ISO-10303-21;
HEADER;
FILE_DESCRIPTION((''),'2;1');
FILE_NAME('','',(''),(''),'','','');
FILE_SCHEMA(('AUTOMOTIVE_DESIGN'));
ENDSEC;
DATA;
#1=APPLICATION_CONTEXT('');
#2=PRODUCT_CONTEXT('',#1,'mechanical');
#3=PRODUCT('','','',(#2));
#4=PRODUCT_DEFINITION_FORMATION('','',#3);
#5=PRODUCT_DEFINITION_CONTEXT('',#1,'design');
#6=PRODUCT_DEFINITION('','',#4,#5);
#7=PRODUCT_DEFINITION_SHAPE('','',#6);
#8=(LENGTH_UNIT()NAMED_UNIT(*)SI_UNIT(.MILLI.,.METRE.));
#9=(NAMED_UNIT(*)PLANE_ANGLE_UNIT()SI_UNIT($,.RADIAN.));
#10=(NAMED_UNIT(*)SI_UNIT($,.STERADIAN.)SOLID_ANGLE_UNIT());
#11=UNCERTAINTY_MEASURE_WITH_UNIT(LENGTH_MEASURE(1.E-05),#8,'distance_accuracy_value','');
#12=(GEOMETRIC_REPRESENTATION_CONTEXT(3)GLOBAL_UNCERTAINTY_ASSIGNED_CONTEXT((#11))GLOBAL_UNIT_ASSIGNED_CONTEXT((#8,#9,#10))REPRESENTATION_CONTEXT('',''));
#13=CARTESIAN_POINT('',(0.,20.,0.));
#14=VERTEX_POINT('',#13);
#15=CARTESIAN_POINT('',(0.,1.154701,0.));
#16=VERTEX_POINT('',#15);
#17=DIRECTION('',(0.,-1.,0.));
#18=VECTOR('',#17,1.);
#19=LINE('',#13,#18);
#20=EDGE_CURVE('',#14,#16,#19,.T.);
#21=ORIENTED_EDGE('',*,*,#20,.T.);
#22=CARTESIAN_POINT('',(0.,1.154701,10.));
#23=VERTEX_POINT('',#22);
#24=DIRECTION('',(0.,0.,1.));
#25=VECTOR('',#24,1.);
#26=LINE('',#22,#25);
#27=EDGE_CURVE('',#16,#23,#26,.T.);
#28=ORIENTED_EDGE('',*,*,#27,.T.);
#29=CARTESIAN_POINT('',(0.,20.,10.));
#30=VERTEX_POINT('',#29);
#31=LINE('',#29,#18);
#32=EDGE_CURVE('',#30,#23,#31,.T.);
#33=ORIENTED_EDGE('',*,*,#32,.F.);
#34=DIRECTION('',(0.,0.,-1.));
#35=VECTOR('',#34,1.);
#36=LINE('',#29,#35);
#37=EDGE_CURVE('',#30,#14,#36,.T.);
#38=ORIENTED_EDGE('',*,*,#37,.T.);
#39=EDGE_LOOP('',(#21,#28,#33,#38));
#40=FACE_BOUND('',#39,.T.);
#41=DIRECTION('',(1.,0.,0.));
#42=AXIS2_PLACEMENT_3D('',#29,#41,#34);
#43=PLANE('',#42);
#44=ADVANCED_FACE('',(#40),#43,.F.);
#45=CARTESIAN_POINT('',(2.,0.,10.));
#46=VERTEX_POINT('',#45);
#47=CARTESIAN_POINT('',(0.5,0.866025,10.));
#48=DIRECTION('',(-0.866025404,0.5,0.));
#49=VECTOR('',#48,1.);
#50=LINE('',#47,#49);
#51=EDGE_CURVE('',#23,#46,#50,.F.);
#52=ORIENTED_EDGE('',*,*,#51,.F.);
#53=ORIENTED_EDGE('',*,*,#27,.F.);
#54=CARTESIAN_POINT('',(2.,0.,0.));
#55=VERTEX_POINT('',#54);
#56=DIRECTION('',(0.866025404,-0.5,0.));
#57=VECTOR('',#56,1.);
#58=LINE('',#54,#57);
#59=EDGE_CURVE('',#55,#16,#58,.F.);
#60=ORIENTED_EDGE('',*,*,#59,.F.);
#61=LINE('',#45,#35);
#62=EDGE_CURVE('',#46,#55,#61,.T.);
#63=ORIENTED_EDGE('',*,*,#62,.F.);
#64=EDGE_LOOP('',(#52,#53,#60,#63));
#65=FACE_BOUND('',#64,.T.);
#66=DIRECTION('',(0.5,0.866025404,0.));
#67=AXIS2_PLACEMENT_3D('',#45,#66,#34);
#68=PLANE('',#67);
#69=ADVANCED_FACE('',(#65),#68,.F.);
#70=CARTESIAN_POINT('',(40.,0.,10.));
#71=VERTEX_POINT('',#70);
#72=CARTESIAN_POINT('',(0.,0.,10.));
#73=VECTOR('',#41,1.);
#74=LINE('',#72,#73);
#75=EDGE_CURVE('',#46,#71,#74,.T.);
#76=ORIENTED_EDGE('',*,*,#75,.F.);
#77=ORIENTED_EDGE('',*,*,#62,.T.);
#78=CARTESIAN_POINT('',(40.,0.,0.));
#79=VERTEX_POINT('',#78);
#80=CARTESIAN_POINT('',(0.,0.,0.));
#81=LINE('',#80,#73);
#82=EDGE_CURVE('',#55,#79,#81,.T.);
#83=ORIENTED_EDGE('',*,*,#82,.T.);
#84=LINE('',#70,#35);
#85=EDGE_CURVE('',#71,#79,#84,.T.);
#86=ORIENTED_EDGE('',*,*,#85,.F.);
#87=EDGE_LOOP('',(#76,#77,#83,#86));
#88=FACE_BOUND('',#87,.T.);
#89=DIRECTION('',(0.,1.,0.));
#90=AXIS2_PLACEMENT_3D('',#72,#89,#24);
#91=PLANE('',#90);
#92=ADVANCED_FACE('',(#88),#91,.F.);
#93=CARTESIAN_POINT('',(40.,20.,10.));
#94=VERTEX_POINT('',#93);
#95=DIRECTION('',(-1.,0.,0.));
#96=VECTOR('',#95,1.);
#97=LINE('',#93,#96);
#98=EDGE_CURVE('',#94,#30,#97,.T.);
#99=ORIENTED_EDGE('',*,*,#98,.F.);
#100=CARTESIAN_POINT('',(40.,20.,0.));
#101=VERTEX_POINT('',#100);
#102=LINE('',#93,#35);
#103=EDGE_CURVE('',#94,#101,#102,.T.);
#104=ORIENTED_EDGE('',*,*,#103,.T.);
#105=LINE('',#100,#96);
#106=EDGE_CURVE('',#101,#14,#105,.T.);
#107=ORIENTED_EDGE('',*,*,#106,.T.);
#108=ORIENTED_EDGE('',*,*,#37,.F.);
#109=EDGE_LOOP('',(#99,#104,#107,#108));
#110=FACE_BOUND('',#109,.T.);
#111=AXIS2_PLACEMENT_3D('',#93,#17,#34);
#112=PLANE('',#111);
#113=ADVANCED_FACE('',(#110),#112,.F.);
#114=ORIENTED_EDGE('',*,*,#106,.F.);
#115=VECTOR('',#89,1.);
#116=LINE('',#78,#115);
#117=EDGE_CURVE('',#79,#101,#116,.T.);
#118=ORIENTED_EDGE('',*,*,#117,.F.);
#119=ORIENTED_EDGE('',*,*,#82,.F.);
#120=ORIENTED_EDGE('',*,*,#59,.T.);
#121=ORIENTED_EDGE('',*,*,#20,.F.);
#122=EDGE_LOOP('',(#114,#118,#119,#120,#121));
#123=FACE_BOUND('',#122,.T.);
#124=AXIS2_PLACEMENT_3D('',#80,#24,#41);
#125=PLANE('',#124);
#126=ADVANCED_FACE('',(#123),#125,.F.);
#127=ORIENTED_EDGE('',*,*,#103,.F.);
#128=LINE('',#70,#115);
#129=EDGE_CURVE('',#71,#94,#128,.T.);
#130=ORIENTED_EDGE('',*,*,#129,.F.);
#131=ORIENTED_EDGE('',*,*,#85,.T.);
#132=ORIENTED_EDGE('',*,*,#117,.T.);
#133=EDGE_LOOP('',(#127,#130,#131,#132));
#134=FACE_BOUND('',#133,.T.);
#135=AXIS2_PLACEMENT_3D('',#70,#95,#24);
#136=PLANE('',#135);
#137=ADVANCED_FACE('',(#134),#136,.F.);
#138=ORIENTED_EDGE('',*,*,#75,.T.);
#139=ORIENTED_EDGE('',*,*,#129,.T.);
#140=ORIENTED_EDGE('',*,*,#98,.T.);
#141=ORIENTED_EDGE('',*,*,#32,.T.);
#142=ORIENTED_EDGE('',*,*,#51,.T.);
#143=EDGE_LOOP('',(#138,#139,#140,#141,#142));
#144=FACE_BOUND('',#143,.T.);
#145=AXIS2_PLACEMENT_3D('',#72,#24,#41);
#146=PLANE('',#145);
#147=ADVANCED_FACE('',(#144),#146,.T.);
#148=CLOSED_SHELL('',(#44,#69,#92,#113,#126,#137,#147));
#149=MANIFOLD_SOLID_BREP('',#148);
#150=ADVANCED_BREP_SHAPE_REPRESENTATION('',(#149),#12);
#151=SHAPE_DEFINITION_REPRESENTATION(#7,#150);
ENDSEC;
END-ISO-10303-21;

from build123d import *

# Parameters (mm, degrees)
SKETCH1_W           = 40
SKETCH1_H           = 20
BOSS_EXTRUDE1_DEPTH = 10
CHAMFER1_SIZE       = 1.154700538
CHAMFER1_SIZE2      = 2


with BuildPart() as part:
    # Sketch1 → Boss-Extrude1 (new body)
    with BuildSketch(Plane.XY):
        with Locations((20, 10)):
            Rectangle(SKETCH1_W, SKETCH1_H)
    extrude(amount=BOSS_EXTRUDE1_DEPTH)

    # Chamfer1
    chamfer1_edges = [part.edges().sort_by_distance(p)[0] for p in [
        (0, 0, 5),
    ]]
    chamfer1_side = [part.faces().sort_by_distance(p)[0] for p in [
        (0, 10, 5),
    ]]
    chamfer(chamfer1_edges, length=CHAMFER1_SIZE, length2=CHAMFER1_SIZE2, reference=chamfer1_side[0])


solid = part.part
